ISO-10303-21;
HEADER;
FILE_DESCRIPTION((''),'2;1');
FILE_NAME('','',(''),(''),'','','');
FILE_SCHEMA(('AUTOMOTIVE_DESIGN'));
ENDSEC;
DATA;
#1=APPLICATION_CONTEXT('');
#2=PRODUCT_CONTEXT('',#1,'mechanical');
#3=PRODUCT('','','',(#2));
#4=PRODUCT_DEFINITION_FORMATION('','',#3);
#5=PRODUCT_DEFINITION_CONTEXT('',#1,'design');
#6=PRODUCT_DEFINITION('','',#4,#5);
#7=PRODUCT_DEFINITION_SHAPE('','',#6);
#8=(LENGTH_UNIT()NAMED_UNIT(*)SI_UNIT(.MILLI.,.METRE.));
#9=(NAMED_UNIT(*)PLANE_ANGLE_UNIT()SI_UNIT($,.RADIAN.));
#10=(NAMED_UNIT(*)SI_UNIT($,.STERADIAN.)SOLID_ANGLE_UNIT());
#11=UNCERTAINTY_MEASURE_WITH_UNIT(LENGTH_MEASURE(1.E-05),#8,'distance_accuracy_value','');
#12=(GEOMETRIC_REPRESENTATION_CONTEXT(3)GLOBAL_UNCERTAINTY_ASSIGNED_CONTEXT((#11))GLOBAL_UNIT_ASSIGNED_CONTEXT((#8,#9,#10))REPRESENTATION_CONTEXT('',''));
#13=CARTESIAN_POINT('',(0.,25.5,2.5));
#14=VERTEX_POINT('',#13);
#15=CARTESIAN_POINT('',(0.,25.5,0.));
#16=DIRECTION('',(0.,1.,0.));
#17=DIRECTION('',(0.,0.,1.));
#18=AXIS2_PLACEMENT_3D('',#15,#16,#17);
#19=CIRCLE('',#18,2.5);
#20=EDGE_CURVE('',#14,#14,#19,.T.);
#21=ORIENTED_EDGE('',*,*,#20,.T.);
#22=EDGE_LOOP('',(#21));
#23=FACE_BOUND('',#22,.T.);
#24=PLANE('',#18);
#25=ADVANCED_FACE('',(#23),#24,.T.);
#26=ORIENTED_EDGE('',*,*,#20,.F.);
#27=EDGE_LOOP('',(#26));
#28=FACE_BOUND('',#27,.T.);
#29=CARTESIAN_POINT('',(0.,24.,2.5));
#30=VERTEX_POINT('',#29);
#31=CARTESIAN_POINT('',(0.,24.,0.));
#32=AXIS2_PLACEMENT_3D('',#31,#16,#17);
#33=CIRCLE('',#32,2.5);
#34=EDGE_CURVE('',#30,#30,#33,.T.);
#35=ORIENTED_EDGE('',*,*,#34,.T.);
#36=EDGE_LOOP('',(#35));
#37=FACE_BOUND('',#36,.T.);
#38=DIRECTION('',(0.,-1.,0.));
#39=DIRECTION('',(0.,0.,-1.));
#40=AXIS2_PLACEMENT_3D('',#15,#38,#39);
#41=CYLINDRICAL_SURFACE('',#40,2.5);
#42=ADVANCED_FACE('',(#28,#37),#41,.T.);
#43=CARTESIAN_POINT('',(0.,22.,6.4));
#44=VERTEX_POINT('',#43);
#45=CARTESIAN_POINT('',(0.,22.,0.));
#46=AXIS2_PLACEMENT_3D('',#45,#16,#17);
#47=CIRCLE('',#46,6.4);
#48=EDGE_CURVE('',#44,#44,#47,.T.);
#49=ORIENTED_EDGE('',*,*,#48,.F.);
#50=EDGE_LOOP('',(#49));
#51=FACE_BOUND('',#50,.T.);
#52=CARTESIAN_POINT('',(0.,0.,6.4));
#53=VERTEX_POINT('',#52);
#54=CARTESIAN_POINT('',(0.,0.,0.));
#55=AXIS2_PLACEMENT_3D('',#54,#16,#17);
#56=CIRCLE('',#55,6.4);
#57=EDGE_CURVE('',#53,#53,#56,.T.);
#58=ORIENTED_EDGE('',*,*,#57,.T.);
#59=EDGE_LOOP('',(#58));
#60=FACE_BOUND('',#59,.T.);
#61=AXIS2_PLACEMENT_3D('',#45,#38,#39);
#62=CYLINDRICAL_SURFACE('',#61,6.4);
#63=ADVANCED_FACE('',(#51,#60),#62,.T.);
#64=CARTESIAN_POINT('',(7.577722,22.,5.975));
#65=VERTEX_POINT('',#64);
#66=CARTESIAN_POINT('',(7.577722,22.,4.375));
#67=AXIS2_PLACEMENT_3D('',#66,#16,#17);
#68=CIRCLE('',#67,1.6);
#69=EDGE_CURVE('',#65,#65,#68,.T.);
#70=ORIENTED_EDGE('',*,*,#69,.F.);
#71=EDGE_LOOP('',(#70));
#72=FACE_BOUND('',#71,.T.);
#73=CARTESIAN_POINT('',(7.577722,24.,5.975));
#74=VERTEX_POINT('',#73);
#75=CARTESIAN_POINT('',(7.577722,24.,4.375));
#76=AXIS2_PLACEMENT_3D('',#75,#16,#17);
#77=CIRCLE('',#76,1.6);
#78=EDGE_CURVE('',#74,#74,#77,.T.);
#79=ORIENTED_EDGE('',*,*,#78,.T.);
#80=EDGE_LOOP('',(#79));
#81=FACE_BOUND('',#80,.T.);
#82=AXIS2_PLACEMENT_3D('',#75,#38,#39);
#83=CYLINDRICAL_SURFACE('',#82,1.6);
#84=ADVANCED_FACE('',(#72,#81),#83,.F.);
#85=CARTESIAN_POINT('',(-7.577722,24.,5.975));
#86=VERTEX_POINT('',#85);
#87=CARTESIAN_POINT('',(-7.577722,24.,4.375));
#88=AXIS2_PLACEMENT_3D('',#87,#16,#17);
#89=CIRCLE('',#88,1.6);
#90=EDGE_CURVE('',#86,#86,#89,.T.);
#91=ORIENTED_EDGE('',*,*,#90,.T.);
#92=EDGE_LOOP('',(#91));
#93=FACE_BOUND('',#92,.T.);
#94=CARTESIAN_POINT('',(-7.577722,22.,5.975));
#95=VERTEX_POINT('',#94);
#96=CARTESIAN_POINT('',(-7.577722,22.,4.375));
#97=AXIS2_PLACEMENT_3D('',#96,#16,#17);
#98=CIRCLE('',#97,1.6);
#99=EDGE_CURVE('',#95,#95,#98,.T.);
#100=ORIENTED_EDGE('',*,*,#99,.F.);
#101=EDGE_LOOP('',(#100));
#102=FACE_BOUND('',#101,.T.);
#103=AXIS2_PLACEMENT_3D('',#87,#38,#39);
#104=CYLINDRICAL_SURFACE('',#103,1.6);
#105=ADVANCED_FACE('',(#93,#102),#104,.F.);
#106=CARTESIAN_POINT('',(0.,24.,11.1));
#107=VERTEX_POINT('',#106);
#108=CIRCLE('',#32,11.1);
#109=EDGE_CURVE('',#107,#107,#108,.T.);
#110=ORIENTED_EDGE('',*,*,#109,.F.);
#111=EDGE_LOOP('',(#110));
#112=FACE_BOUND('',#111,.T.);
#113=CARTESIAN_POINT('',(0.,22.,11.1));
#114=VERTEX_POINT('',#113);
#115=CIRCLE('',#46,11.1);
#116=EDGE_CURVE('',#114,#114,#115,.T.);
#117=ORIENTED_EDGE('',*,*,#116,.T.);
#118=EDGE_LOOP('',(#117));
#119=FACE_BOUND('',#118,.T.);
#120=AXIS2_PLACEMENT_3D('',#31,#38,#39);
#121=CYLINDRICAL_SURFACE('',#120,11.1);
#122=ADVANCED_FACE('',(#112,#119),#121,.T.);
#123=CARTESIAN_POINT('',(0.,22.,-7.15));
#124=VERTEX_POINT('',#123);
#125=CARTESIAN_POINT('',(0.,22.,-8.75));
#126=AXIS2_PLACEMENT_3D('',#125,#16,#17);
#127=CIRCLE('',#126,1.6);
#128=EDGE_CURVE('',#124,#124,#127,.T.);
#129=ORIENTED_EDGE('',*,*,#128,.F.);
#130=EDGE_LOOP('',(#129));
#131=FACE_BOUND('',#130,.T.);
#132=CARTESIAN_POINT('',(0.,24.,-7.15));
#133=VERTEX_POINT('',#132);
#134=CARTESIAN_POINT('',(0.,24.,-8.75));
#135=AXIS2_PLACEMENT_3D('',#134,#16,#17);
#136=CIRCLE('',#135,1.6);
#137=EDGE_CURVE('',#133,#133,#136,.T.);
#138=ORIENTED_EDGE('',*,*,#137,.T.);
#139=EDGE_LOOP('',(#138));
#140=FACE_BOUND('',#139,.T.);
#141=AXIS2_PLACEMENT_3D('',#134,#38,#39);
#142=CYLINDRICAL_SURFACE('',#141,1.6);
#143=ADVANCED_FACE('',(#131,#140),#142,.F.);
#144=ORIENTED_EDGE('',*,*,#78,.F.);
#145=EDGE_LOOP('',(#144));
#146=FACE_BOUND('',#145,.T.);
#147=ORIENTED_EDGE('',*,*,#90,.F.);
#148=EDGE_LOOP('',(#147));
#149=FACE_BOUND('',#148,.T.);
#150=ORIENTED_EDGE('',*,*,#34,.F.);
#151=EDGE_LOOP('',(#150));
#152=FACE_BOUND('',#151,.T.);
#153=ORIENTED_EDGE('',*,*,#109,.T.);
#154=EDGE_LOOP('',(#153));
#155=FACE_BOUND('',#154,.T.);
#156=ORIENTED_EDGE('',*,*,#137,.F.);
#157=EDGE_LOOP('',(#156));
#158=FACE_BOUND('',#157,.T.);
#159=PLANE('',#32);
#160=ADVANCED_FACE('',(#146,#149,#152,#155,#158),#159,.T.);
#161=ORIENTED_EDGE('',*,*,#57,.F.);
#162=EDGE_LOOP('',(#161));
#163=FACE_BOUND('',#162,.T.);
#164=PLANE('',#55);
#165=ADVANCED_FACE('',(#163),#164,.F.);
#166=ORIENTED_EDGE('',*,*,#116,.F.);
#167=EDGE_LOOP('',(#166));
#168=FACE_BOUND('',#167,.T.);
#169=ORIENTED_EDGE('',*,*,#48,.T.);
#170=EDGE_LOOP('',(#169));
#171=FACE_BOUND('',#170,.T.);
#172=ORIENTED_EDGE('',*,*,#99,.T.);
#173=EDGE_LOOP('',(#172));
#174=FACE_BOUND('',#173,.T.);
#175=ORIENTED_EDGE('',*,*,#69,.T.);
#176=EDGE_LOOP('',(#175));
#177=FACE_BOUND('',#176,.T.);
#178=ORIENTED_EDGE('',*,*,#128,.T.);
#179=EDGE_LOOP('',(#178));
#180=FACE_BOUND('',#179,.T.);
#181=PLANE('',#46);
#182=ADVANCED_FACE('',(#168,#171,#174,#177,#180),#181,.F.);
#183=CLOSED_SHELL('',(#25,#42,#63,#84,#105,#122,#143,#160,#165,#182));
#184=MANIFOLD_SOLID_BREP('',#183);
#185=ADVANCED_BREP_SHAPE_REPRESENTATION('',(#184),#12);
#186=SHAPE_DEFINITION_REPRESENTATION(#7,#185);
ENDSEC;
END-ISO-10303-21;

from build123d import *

# Parameters (mm, degrees)
SKETCH_1_R      = 6.4
EXTRUDE_1_DEPTH = 22
SKETCH_2_R      = 11.1
SKETCH_2_R_2    = 1.6
EXTRUDE_3_DEPTH = 2
SKETCH_3_R      = 2.5
EXTRUDE_4_DEPTH = 1.5


with BuildPart() as part:
    # 草图1 → 凸台-拉伸1 (new body)
    with BuildSketch(Plane(origin=(0, 0, 0), x_dir=(1, 0, 0), z_dir=(0, 1, 0))):
        with Locations(Location((0, 0, 0), (0, 0, 270))):
            Circle(SKETCH_1_R)
    extrude(amount=EXTRUDE_1_DEPTH)

    # 草图2 → 凸台-拉伸3 (add)
    with BuildSketch(Plane(origin=(0, 22, 0), x_dir=(1, 0, 0), z_dir=(0, 1, 0))):
        with Locations(Location((0, 0, 0), (0, 0, 270))):
            Circle(SKETCH_2_R)
        with Locations(Location((0, 8.75, 0), (0, 0, 270))):
            Circle(SKETCH_2_R_2, mode=Mode.SUBTRACT)
        with Locations(Location((7.577722283, -4.375, 0), (0, 0, 270))):
            Circle(SKETCH_2_R_2, mode=Mode.SUBTRACT)
        with Locations(Location((-7.577722283, -4.375, 0), (0, 0, 270))):
            Circle(SKETCH_2_R_2, mode=Mode.SUBTRACT)
    extrude(amount=EXTRUDE_3_DEPTH)

    # 草图3 → 凸台-拉伸4 (add)
    with BuildSketch(Plane(origin=(0, 24, 0), x_dir=(1, 0, 0), z_dir=(0, 1, 0))):
        with Locations(Location((0, 0, 0), (0, 0, 270))):
            Circle(SKETCH_3_R)
    extrude(amount=EXTRUDE_4_DEPTH)


solid = part.part
